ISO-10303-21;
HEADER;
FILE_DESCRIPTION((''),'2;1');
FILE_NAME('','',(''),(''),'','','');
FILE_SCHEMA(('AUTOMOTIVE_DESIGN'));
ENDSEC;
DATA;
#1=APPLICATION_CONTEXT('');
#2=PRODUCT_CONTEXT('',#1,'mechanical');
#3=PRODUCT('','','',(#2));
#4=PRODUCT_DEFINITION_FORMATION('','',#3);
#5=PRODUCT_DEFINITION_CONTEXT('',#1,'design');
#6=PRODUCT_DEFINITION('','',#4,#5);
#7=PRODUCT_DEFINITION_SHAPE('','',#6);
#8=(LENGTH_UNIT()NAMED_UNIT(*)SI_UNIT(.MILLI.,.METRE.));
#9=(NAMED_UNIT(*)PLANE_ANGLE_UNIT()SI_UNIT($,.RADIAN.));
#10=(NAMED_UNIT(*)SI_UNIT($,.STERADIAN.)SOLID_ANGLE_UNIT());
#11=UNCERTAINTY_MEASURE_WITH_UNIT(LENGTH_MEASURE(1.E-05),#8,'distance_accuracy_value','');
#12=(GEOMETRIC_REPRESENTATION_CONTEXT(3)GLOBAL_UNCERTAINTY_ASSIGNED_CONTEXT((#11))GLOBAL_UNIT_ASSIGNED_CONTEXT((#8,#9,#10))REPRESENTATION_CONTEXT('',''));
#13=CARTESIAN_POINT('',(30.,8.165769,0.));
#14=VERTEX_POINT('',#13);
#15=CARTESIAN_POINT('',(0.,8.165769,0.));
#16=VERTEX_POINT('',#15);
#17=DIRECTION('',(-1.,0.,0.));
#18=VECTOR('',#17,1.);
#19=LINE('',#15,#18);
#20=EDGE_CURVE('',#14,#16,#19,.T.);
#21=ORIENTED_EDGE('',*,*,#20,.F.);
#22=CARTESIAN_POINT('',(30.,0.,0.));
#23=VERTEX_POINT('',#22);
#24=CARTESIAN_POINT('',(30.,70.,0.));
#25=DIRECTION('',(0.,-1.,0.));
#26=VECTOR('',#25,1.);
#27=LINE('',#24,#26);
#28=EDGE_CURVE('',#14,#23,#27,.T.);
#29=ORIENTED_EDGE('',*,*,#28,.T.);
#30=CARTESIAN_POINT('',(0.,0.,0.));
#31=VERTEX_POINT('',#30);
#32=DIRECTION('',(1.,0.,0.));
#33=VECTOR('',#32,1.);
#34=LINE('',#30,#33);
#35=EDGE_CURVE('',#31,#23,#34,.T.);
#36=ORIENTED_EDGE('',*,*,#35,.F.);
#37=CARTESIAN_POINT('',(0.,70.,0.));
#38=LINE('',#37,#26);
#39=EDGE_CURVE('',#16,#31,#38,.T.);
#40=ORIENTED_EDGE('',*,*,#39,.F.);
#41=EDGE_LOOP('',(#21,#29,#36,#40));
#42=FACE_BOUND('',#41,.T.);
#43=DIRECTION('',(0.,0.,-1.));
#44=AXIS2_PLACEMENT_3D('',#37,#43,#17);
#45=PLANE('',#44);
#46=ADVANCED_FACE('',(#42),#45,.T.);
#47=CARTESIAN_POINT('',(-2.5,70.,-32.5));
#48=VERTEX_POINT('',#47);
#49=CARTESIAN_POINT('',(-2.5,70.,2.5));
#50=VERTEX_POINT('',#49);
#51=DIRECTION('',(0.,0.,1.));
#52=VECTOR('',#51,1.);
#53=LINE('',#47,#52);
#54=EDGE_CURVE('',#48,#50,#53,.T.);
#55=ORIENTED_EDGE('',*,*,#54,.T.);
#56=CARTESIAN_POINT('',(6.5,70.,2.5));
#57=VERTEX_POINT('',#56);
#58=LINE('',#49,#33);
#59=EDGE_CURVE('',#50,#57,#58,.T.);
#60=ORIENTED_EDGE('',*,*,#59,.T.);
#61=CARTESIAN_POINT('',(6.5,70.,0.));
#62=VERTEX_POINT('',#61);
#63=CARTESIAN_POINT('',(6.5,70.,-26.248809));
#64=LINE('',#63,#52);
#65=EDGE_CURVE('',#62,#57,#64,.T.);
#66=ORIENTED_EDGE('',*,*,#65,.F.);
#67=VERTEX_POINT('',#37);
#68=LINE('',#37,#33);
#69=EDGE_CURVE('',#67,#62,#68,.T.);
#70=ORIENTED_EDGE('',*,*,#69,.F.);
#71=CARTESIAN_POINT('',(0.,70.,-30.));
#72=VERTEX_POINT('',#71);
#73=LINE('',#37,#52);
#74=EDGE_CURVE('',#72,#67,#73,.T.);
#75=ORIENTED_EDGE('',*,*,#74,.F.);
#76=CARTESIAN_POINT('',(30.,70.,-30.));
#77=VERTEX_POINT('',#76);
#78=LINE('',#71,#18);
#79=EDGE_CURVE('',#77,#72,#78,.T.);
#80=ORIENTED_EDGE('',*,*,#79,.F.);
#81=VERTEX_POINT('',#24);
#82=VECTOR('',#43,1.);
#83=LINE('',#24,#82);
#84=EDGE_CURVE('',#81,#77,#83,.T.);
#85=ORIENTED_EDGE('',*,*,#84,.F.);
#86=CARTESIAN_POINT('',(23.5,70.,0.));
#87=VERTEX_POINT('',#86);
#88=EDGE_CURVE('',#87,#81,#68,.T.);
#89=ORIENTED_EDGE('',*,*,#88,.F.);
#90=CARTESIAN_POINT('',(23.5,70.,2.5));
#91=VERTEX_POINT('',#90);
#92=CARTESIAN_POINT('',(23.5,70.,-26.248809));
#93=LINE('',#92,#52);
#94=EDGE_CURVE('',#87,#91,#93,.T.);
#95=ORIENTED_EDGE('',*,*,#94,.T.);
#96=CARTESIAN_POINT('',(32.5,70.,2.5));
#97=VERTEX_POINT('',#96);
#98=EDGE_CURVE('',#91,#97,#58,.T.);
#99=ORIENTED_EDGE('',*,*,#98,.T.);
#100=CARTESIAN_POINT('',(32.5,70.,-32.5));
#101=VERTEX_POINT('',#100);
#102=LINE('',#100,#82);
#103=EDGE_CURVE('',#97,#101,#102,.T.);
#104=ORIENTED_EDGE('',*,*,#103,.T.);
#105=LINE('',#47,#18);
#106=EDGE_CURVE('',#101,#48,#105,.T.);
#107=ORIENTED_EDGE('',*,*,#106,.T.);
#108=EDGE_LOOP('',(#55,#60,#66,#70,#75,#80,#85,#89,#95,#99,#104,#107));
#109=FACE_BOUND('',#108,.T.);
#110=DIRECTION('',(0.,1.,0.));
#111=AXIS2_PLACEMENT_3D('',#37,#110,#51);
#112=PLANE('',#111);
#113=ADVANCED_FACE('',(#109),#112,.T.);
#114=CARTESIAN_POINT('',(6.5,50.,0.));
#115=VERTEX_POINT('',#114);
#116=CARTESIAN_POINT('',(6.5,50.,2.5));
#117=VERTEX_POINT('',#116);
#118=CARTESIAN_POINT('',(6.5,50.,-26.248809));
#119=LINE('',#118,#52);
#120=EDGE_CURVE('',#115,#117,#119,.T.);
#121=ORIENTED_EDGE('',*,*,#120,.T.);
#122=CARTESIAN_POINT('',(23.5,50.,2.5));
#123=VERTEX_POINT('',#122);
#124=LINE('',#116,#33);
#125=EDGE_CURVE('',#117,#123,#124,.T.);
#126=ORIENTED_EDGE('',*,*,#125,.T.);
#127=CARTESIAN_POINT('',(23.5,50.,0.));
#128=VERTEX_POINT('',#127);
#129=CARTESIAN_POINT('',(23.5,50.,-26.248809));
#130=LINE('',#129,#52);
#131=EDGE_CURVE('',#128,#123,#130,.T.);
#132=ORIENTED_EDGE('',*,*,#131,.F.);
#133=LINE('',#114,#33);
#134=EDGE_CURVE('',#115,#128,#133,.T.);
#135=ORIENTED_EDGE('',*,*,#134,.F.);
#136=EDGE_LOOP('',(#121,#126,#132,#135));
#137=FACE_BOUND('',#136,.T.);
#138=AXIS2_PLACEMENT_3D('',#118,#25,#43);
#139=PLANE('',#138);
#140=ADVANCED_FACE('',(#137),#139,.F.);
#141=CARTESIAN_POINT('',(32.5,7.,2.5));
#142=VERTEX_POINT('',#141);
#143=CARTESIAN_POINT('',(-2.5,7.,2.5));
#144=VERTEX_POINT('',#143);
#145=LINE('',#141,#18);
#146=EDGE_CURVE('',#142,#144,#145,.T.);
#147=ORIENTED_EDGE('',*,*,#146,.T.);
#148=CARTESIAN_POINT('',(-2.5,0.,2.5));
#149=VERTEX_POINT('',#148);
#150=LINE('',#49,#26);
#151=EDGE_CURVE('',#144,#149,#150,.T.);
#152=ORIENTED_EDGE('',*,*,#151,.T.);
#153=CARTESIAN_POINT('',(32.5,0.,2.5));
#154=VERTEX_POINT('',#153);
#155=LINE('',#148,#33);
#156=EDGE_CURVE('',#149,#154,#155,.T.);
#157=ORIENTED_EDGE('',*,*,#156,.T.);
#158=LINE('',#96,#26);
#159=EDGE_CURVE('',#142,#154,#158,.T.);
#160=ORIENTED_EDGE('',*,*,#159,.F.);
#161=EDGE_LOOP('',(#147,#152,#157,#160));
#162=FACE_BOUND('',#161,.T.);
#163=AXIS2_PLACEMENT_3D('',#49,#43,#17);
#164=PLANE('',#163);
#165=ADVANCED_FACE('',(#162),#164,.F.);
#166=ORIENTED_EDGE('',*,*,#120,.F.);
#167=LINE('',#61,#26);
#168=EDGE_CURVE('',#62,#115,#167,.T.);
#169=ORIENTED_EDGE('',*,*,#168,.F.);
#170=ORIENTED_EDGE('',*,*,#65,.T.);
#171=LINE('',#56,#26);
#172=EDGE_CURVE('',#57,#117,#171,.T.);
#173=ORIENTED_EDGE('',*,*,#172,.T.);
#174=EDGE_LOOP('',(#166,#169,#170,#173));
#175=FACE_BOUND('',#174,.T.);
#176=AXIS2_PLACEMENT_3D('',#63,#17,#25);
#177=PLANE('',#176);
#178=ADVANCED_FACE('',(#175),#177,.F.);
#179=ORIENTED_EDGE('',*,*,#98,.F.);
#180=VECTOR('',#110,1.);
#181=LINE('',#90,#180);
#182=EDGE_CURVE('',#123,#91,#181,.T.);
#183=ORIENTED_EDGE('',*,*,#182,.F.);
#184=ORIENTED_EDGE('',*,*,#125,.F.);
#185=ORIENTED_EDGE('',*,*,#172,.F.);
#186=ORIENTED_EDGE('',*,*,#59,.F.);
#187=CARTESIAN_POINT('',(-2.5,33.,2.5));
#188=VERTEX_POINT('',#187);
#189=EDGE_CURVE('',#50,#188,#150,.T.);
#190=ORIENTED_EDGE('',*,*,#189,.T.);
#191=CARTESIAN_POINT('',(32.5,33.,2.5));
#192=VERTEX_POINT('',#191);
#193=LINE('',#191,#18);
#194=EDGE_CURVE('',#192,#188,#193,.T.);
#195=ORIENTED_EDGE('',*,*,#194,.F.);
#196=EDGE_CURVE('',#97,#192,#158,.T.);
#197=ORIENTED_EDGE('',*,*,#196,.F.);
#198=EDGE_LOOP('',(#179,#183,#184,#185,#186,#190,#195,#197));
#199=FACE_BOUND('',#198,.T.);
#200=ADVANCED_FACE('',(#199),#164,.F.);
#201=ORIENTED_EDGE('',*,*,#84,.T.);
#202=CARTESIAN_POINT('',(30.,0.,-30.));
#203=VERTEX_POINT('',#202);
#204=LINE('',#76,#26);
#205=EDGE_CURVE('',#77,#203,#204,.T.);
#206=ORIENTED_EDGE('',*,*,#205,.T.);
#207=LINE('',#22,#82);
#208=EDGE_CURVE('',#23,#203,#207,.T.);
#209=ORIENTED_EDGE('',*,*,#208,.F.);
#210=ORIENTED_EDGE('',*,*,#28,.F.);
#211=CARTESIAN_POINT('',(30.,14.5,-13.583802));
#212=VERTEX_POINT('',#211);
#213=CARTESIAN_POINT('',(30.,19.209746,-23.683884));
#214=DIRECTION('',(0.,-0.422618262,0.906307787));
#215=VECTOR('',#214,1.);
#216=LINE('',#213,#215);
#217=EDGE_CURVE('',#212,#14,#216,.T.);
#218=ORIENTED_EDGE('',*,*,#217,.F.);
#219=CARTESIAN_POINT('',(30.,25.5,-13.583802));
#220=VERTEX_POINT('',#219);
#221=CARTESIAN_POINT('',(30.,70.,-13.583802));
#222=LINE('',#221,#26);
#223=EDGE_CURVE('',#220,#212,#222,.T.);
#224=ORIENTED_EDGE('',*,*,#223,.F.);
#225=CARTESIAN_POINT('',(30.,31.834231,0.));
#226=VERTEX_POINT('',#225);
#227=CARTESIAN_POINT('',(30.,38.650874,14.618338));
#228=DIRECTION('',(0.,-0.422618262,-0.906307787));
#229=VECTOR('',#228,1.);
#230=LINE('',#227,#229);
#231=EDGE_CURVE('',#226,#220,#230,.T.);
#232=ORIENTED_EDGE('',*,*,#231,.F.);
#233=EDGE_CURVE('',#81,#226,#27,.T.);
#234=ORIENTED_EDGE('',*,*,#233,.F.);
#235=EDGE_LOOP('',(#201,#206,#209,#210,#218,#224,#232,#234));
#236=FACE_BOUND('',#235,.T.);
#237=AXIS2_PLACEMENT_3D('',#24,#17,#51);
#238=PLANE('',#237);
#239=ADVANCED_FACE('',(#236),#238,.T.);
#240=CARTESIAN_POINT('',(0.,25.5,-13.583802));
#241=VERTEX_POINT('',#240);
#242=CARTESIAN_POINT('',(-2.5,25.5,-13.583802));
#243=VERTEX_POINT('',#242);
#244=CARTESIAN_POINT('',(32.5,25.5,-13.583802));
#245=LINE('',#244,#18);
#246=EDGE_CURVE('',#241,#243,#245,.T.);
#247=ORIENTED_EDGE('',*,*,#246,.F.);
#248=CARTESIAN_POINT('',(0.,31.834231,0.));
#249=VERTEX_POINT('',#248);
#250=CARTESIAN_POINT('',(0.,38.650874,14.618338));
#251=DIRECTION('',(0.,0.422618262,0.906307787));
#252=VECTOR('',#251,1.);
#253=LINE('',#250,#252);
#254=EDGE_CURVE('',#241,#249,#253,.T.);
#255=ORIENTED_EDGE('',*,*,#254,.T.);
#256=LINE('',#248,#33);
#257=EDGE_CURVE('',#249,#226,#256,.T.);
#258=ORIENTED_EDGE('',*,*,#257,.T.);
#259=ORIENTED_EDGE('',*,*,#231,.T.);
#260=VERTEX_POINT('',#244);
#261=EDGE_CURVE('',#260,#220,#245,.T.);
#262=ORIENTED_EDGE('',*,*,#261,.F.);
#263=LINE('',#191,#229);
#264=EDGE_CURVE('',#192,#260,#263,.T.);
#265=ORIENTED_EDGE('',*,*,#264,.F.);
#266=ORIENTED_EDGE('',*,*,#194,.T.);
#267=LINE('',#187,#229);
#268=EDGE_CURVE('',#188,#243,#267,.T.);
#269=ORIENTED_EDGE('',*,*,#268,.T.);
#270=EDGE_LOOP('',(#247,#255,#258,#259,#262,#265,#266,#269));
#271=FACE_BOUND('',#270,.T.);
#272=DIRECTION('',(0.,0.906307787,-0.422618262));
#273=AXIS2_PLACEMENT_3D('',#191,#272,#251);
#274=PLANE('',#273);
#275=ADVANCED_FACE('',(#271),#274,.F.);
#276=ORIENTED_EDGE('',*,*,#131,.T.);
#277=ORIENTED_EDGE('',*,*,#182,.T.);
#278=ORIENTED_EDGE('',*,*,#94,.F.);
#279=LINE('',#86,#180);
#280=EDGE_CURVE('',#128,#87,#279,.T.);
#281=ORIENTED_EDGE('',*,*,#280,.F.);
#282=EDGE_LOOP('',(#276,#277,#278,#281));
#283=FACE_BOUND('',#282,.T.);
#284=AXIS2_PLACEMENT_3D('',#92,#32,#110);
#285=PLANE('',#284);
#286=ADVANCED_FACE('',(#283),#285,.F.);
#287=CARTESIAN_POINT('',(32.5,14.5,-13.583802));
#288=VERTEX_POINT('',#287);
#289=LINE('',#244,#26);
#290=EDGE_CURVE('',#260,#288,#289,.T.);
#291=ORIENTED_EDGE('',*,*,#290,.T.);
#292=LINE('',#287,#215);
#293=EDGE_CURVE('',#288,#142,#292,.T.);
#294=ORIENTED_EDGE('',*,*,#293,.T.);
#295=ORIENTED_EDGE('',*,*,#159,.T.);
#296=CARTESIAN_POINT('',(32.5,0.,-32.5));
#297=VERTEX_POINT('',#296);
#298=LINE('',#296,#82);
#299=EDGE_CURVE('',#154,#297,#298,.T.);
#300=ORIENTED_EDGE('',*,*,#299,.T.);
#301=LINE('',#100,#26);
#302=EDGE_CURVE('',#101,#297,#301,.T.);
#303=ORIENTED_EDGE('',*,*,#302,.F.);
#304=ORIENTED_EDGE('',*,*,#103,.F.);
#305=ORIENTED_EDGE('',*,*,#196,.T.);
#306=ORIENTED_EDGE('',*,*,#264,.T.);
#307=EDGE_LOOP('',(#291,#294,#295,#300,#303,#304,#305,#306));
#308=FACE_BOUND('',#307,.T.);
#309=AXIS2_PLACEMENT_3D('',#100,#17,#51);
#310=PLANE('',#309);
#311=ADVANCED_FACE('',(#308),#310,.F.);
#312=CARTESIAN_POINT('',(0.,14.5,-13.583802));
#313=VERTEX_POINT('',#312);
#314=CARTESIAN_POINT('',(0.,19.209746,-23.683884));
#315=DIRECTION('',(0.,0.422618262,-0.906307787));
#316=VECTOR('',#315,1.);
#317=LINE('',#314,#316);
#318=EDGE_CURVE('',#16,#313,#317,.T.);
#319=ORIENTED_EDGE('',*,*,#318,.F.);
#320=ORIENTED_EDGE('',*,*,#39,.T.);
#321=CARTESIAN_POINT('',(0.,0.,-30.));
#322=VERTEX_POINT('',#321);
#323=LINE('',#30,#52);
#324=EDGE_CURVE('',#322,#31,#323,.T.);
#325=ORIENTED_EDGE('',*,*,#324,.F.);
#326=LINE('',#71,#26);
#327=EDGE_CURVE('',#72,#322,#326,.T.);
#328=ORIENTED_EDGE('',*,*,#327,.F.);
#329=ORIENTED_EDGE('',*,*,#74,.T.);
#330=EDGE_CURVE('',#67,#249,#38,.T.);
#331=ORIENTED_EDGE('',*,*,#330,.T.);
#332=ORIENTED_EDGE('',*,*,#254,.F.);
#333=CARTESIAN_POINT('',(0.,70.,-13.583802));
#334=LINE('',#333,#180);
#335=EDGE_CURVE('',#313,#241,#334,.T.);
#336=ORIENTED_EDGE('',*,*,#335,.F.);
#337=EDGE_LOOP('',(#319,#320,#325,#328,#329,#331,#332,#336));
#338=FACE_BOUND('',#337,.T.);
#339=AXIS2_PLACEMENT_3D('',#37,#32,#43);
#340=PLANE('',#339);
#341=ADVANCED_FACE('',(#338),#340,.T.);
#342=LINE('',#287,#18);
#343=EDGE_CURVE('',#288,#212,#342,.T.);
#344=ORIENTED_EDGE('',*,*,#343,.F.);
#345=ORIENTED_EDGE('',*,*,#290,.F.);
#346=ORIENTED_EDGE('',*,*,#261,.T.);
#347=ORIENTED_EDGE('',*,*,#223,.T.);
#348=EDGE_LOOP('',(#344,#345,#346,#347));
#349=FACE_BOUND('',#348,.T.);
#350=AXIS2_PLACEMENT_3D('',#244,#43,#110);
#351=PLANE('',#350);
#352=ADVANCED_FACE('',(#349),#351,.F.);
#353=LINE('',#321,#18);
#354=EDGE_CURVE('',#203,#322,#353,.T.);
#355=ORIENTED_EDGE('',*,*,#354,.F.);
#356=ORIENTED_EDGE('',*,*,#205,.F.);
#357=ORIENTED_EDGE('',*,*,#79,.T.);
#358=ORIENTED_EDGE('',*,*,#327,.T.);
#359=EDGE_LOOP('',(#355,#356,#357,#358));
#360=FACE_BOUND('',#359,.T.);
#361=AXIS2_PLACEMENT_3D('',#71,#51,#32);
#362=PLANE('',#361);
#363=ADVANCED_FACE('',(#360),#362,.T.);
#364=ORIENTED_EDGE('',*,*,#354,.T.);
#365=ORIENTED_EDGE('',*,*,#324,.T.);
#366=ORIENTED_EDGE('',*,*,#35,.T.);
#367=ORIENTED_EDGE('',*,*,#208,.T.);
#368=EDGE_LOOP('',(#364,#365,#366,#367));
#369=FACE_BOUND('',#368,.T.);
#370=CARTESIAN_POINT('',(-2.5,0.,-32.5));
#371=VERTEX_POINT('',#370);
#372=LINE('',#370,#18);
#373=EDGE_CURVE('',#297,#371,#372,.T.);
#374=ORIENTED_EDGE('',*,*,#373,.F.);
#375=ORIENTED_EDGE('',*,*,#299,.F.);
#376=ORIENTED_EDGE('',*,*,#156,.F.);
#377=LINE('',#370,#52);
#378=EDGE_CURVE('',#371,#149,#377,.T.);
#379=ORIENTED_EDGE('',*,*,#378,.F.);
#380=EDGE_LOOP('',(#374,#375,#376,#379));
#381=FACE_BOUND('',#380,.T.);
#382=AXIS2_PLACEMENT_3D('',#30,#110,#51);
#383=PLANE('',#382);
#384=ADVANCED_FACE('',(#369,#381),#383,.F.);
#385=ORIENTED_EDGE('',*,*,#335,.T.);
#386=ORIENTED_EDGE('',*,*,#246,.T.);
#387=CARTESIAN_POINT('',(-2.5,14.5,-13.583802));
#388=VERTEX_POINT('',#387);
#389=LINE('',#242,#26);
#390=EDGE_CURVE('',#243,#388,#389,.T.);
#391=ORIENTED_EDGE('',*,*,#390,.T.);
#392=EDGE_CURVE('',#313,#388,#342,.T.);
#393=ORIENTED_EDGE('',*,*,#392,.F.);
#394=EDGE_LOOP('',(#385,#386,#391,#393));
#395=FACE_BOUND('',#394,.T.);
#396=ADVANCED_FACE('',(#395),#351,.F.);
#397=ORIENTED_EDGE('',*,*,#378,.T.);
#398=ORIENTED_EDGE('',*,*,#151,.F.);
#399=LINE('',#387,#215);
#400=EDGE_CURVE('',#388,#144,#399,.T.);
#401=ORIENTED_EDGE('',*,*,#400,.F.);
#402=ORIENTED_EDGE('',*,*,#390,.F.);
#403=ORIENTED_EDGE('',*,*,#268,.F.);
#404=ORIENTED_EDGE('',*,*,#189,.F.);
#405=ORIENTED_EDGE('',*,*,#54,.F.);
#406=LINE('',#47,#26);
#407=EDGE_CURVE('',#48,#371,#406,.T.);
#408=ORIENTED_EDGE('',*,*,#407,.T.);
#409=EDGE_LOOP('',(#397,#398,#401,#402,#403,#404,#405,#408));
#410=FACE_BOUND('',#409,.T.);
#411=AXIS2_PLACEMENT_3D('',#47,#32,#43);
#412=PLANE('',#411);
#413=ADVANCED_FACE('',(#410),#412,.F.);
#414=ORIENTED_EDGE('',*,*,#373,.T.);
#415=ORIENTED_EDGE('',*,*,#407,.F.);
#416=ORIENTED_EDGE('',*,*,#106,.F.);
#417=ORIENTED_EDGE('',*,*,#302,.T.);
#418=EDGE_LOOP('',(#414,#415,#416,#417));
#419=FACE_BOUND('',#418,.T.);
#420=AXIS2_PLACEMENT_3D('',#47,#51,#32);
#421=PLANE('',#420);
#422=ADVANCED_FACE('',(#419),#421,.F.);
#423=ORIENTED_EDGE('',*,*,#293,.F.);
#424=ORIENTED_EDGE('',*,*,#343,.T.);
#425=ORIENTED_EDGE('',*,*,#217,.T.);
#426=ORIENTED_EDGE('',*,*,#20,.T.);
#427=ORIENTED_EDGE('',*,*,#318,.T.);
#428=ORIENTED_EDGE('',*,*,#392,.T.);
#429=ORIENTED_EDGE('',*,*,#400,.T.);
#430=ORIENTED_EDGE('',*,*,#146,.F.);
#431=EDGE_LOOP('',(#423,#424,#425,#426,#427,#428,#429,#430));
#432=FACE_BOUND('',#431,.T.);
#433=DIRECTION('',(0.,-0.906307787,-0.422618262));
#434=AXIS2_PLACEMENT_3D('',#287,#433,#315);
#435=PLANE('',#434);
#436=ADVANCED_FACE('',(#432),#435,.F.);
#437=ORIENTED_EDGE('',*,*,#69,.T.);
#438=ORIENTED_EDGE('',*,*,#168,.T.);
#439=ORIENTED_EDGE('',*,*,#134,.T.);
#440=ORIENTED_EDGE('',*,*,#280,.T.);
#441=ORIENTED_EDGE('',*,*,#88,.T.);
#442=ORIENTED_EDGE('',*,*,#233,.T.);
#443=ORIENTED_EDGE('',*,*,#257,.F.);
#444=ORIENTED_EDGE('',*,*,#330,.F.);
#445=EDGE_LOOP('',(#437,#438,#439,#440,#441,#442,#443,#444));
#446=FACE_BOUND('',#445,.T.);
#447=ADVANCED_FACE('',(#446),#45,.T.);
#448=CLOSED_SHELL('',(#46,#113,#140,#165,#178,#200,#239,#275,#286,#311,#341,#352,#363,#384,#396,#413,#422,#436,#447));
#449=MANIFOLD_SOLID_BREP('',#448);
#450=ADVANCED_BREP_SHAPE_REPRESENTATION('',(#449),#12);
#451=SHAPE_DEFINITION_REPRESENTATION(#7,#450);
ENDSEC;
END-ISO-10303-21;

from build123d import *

# Parameters (mm, degrees)
SKETCH1_W           = 35
SKETCH1_H           = 35
SKETCH1_W_2         = 30
SKETCH1_H_2         = 30
BOSS_EXTRUDE1_DEPTH = 70
SKETCH2_W           = 17
SKETCH2_H           = 20
CUT_EXTRUDE1_DEPTH  = 2.5
CUT_EXTRUDE2_DEPTH  = 36


with BuildPart() as part:
    # Sketch1 → Boss-Extrude1 (new body)
    with BuildSketch(Plane(origin=(0, 0, 0), x_dir=(1, 0, 0), z_dir=(0, 1, 0))):
        with Locations((15, 15)):
            Rectangle(SKETCH1_W, SKETCH1_H)
        with Locations((15, 15)):
            Rectangle(SKETCH1_W_2, SKETCH1_H_2, mode=Mode.SUBTRACT)
    extrude(amount=BOSS_EXTRUDE1_DEPTH)

    # Sketch2 → Cut-Extrude1 (cut)
    with BuildSketch(Plane.XY.offset(2.5)):
        with Locations((15, 60)):
            Rectangle(SKETCH2_W, SKETCH2_H)
    extrude(amount=-CUT_EXTRUDE1_DEPTH, mode=Mode.SUBTRACT)

    # Sketch3 → Cut-Extrude2 (cut, through all)
    with BuildSketch(Plane.ZY.offset(2.5)):
        Polygon((2.5, 33), (-13.583801904, 25.5), (-13.583801904, 14.5), (2.5, 7), align=None)
    extrude(amount=-CUT_EXTRUDE2_DEPTH, mode=Mode.SUBTRACT)


solid = part.part
